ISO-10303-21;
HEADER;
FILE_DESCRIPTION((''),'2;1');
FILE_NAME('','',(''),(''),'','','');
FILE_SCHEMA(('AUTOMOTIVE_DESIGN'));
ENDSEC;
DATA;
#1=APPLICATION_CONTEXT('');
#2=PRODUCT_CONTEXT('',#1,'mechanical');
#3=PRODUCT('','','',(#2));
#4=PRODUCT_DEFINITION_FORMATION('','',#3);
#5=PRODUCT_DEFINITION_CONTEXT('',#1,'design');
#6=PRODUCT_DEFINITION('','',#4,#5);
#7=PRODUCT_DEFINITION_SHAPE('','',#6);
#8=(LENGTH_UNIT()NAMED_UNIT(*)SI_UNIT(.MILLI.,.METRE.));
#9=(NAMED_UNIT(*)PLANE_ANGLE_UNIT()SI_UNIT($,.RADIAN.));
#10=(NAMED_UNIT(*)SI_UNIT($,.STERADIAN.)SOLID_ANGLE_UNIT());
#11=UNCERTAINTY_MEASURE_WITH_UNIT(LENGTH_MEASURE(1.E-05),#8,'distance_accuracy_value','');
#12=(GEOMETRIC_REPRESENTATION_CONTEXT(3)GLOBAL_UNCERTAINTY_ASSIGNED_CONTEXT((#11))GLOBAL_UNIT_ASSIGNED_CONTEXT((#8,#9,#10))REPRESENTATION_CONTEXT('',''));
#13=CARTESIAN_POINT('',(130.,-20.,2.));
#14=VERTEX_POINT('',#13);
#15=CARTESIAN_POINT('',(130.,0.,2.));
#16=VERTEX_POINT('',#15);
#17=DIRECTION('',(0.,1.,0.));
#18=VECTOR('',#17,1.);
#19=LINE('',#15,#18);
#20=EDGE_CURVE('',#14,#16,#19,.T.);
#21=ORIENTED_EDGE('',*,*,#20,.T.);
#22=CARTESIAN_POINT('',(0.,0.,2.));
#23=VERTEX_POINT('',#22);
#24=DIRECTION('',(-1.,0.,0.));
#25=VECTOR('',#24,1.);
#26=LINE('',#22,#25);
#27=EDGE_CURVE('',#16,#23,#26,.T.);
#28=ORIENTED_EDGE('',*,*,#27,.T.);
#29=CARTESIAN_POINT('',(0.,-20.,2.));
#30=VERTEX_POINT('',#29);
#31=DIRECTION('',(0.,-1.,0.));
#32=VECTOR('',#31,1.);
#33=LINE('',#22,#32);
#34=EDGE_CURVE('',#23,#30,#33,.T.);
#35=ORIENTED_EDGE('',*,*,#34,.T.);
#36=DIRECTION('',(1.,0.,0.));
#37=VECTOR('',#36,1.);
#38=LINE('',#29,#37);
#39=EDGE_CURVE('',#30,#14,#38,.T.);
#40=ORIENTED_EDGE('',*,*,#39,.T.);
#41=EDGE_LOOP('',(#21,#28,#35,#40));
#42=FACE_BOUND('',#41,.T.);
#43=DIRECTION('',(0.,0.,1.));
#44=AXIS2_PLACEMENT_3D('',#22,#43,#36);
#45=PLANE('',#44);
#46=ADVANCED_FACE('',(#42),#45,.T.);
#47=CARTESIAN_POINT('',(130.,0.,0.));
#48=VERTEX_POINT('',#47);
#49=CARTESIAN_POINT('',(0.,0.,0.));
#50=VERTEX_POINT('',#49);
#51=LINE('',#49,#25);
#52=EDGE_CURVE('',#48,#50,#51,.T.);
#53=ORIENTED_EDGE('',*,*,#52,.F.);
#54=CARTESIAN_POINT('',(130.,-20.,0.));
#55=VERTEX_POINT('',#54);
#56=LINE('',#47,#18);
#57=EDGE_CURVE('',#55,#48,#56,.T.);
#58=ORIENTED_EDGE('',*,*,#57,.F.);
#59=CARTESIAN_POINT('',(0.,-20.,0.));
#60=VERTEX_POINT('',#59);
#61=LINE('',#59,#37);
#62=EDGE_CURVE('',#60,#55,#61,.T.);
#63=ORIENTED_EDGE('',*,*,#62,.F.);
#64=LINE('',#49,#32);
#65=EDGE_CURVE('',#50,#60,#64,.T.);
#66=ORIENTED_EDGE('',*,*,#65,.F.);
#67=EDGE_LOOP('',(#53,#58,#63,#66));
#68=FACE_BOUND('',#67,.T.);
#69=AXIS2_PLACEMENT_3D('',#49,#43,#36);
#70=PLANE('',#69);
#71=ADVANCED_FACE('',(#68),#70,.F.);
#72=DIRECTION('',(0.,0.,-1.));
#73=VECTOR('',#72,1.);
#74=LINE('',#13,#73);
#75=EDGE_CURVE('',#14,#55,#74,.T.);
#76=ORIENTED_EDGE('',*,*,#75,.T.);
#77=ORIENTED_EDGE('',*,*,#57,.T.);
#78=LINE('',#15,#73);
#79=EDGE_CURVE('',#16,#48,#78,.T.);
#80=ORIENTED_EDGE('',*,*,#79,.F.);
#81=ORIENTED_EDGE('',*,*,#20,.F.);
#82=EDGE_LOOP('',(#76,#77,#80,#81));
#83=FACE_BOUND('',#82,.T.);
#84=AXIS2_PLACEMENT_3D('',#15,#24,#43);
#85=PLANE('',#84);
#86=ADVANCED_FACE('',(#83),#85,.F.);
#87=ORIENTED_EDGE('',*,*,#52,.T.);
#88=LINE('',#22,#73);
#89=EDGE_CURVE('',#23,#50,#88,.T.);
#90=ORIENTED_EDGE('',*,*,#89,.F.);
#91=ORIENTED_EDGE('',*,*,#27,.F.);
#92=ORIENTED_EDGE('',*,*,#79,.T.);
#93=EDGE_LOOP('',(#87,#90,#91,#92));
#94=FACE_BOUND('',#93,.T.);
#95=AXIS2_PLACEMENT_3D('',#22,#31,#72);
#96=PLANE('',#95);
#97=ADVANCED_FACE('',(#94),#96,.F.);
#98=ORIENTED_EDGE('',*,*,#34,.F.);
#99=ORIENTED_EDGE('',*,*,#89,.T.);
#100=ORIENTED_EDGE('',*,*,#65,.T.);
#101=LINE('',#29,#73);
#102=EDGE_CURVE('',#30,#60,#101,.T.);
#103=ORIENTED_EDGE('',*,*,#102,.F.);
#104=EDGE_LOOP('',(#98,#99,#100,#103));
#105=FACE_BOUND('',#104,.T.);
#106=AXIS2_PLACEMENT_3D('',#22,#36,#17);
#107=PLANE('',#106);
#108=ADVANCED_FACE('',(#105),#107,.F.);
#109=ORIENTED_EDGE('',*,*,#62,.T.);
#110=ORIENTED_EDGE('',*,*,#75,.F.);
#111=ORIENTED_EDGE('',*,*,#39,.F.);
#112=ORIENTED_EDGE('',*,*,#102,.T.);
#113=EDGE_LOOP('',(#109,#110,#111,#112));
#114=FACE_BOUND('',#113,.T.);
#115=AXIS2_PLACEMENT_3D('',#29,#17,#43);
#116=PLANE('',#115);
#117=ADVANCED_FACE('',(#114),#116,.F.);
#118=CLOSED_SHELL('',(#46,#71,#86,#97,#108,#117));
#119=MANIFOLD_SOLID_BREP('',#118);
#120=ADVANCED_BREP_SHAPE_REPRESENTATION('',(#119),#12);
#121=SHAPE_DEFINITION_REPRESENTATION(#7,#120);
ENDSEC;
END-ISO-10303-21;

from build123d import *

# Parameters (mm, degrees)
SKETCH_1_W      = 130
SKETCH_1_H      = 20
EXTRUDE_1_DEPTH = 2


with BuildPart() as part:
    # Эскиз1 → Бобышка-Вытянуть1 (new body)
    with BuildSketch(Plane.XY):
        with Locations((65, -10)):
            Rectangle(SKETCH_1_W, SKETCH_1_H)
    extrude(amount=EXTRUDE_1_DEPTH)


solid = part.part
